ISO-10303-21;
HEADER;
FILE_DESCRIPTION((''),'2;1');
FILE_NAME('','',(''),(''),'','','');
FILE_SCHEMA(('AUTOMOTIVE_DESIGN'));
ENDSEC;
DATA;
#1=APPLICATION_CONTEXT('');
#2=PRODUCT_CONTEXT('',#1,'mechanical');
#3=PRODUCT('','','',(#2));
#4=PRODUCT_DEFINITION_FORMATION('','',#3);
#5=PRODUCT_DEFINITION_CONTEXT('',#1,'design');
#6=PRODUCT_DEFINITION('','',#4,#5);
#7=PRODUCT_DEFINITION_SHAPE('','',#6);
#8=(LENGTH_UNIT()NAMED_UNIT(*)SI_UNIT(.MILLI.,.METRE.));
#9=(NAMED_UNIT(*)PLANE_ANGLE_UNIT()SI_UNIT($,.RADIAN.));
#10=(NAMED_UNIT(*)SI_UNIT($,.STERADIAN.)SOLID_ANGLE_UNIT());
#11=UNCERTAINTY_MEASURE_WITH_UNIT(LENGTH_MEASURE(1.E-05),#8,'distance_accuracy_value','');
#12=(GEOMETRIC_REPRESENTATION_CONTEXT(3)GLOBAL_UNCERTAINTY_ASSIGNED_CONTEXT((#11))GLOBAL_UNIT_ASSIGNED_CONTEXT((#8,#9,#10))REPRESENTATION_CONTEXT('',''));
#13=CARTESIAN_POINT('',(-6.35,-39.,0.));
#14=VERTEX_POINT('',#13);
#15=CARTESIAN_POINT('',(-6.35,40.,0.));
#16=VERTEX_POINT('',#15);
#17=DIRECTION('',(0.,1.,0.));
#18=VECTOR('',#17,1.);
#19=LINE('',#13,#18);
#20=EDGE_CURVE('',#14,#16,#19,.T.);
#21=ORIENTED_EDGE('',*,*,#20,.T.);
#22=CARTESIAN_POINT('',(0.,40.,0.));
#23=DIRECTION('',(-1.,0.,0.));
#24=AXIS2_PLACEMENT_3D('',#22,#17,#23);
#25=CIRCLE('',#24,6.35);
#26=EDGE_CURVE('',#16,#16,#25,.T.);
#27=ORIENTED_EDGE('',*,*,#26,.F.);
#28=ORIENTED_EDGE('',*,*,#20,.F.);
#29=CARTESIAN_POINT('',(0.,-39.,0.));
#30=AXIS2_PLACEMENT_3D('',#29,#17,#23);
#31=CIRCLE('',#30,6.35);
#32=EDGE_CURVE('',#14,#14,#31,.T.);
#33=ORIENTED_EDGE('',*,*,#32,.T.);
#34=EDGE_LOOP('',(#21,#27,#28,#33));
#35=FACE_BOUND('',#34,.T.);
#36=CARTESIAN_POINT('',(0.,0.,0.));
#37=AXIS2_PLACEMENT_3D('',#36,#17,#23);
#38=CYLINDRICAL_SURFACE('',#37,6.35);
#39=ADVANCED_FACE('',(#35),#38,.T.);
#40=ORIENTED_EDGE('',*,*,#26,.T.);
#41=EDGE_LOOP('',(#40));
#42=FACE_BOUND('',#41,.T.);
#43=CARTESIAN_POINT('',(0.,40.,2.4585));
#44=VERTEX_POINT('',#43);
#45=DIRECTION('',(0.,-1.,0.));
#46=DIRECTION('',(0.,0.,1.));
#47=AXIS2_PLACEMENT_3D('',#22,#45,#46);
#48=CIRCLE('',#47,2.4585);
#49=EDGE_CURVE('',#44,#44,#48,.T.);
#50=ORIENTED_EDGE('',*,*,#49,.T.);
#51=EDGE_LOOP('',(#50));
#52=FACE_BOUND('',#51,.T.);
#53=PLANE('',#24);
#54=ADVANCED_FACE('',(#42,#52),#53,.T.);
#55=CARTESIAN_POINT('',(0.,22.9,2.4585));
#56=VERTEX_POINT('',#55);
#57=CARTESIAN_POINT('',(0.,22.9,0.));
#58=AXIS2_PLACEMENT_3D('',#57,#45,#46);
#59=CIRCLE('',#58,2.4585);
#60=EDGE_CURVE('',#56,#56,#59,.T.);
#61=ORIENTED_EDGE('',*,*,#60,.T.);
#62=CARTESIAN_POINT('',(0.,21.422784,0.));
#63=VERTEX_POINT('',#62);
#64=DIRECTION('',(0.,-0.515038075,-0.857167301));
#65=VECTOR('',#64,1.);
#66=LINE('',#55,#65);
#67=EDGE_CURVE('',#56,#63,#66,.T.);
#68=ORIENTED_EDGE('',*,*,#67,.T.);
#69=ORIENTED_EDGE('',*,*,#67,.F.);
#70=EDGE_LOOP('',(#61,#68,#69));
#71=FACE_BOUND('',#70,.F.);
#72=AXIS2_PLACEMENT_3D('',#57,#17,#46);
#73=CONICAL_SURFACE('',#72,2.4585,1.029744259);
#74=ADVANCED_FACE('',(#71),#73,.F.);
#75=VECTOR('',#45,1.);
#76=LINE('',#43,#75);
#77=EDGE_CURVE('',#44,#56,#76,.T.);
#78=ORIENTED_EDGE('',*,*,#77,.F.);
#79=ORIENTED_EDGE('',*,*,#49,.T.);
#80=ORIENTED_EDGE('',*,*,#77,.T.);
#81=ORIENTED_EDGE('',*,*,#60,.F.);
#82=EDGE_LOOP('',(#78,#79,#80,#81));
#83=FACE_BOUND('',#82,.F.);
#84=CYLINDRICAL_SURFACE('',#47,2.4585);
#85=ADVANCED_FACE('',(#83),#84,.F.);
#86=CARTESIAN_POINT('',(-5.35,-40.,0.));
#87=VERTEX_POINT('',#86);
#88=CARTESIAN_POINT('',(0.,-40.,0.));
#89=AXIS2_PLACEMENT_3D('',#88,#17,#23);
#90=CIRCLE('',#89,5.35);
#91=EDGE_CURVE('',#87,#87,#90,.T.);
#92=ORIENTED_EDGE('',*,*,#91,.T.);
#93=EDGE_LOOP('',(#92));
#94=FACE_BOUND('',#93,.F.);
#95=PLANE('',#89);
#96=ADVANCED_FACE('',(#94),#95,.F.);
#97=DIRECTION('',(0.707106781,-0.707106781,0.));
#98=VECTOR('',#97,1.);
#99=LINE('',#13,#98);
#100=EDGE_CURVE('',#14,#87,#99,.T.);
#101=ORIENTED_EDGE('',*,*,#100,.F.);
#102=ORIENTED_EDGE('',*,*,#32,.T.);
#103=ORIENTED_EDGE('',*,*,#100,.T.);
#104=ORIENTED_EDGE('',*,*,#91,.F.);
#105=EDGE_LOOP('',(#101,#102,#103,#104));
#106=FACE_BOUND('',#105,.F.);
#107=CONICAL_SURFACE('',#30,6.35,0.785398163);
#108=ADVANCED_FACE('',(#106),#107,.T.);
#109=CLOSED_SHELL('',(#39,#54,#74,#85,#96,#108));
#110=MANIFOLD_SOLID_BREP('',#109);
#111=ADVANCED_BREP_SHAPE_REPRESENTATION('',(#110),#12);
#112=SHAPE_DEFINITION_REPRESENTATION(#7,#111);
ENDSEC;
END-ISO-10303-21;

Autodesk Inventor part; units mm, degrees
ref_plane "YZ Plane" through (0, 0, 0) normal (1, 0, 0) x (0, 1, 0)
ref_plane "XZ Plane" through (0, 0, 0) normal (0, 1, 0) x (-1, 0, 0)
ref_plane "XY Plane" through (0, 0, 0) normal (0, 0, 1) x (1, 0, 0)
sketch "Sketch1" plane through (0, 0, 0) normal (0, 1, 0) x (-1, 0, 0)
  circle A0 centre (0, 0) radius 6.35
  dimension "d0" = 12.7
extrude "Extrusion1" add sketch "Sketch1" along normal mid plane 80
chamfer "Chamfer1" distance 1 angle 45 1 edges at (6.35, -40, 0)
hole "Hole3" at (0, 40, 0) direction (0, -1, 0) diameter 4.917 depth 17.1 tip angle 118 thread size "M6x1" class "6H" standard "ANSI Metric M Profile"
properties part number "suporte-barra" material "Aluminium AW-7020"
